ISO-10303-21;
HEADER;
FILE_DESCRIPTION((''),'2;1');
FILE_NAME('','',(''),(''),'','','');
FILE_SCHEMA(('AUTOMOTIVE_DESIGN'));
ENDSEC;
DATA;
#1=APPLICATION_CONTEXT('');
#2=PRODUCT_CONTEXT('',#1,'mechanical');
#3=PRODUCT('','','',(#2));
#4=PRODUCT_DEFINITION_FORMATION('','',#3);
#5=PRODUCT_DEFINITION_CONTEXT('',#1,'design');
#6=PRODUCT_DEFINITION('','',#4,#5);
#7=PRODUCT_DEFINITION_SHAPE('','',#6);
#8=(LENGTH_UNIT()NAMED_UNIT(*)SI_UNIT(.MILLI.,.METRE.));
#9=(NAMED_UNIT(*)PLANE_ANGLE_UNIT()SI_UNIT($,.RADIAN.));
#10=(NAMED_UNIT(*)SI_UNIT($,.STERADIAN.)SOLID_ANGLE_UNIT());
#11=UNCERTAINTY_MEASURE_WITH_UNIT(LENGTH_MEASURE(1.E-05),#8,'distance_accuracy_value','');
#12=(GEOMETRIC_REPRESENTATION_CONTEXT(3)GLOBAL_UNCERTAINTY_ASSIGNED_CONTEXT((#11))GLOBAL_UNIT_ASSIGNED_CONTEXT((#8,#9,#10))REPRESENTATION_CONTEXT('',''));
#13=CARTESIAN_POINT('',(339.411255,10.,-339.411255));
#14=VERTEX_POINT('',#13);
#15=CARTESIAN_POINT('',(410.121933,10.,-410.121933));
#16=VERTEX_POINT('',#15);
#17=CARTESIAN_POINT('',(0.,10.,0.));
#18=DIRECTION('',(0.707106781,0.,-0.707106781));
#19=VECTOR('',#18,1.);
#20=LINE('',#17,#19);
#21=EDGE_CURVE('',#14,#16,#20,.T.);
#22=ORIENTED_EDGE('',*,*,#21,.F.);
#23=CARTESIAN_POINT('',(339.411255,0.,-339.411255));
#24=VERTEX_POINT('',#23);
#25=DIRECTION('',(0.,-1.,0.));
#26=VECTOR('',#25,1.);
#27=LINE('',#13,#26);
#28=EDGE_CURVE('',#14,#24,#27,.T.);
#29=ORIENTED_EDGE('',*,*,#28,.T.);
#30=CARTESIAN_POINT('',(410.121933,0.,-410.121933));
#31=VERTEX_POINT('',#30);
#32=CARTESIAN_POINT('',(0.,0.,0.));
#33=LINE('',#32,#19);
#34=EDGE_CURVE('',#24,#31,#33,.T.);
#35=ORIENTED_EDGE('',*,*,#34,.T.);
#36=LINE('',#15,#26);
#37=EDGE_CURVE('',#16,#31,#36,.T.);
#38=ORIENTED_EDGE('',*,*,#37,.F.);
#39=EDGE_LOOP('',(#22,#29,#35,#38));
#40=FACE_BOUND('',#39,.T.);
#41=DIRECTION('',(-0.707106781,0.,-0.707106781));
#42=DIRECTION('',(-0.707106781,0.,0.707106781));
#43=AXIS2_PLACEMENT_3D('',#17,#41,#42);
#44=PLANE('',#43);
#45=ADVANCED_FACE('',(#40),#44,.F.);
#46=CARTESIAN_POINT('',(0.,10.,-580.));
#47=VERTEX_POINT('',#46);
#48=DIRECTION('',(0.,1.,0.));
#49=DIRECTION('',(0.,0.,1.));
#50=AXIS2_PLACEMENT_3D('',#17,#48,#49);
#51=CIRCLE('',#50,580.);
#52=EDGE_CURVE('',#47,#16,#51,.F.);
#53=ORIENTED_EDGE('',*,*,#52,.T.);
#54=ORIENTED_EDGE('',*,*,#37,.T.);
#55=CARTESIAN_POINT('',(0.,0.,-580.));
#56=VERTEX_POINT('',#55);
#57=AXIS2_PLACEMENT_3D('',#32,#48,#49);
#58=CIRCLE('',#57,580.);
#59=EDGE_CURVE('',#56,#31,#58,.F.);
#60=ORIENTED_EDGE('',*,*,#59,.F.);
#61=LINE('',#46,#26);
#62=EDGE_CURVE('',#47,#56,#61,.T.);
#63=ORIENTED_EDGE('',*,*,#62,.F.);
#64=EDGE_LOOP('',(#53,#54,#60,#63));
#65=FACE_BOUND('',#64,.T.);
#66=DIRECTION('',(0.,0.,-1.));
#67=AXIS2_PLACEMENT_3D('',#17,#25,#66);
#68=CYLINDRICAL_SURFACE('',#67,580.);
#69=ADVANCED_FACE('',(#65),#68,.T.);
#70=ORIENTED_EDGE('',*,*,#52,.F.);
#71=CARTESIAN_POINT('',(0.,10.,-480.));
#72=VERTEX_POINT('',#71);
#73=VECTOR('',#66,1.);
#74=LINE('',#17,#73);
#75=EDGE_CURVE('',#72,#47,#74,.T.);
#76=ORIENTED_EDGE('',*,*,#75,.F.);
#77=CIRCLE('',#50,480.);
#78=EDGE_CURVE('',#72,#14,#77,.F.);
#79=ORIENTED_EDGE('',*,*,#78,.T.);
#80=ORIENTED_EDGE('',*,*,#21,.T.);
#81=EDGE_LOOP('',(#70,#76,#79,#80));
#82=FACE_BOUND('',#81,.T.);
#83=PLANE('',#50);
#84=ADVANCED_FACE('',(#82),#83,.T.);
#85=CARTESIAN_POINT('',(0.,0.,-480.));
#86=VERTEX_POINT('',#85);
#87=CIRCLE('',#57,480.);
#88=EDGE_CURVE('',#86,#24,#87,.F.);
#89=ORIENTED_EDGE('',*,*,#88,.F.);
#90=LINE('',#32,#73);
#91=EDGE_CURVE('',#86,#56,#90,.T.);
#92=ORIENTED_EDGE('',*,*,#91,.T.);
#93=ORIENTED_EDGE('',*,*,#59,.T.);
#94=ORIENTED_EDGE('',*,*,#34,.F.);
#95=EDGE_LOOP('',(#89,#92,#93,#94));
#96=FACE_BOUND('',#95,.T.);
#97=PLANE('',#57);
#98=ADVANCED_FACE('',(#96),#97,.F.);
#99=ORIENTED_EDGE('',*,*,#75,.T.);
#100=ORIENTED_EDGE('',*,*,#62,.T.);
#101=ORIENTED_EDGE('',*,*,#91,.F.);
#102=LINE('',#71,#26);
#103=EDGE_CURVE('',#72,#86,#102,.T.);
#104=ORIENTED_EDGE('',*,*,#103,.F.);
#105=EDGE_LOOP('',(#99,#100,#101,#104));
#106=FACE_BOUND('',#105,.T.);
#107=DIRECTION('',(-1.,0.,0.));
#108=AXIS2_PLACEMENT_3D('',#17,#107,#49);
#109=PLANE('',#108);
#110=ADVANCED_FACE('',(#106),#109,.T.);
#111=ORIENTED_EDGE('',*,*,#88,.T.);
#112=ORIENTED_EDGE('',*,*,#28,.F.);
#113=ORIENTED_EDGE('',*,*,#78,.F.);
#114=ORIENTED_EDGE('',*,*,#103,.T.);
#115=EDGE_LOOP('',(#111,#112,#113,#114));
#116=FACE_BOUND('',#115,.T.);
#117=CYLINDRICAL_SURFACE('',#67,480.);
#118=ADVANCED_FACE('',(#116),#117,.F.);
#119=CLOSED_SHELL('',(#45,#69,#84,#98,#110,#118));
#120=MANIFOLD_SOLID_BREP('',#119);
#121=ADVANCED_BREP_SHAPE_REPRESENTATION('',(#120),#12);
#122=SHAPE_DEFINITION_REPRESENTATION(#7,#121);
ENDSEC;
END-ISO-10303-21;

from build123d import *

# Parameters (mm, degrees)
BOSS_EXTRUDE1_DEPTH = 10


with BuildPart() as part:
    # Sketch1 → Boss-Extrude1 (new body)
    with BuildSketch(Plane(origin=(0, 0, 0), x_dir=(1, 0, 0), z_dir=(0, 1, 0))):
        with BuildLine():
            ThreePointArc((0, 580), (221.956390772, 535.850128857), (410.121933088, 410.121933088))
            Line((410.121933088, 410.121933088), (339.41125497, 339.41125497))
            ThreePointArc((339.41125497, 339.41125497), (183.688047535, 443.462175605), (0, 480))
            Line((0, 480), (0, 580))
        make_face()
    extrude(amount=BOSS_EXTRUDE1_DEPTH)


solid = part.part
